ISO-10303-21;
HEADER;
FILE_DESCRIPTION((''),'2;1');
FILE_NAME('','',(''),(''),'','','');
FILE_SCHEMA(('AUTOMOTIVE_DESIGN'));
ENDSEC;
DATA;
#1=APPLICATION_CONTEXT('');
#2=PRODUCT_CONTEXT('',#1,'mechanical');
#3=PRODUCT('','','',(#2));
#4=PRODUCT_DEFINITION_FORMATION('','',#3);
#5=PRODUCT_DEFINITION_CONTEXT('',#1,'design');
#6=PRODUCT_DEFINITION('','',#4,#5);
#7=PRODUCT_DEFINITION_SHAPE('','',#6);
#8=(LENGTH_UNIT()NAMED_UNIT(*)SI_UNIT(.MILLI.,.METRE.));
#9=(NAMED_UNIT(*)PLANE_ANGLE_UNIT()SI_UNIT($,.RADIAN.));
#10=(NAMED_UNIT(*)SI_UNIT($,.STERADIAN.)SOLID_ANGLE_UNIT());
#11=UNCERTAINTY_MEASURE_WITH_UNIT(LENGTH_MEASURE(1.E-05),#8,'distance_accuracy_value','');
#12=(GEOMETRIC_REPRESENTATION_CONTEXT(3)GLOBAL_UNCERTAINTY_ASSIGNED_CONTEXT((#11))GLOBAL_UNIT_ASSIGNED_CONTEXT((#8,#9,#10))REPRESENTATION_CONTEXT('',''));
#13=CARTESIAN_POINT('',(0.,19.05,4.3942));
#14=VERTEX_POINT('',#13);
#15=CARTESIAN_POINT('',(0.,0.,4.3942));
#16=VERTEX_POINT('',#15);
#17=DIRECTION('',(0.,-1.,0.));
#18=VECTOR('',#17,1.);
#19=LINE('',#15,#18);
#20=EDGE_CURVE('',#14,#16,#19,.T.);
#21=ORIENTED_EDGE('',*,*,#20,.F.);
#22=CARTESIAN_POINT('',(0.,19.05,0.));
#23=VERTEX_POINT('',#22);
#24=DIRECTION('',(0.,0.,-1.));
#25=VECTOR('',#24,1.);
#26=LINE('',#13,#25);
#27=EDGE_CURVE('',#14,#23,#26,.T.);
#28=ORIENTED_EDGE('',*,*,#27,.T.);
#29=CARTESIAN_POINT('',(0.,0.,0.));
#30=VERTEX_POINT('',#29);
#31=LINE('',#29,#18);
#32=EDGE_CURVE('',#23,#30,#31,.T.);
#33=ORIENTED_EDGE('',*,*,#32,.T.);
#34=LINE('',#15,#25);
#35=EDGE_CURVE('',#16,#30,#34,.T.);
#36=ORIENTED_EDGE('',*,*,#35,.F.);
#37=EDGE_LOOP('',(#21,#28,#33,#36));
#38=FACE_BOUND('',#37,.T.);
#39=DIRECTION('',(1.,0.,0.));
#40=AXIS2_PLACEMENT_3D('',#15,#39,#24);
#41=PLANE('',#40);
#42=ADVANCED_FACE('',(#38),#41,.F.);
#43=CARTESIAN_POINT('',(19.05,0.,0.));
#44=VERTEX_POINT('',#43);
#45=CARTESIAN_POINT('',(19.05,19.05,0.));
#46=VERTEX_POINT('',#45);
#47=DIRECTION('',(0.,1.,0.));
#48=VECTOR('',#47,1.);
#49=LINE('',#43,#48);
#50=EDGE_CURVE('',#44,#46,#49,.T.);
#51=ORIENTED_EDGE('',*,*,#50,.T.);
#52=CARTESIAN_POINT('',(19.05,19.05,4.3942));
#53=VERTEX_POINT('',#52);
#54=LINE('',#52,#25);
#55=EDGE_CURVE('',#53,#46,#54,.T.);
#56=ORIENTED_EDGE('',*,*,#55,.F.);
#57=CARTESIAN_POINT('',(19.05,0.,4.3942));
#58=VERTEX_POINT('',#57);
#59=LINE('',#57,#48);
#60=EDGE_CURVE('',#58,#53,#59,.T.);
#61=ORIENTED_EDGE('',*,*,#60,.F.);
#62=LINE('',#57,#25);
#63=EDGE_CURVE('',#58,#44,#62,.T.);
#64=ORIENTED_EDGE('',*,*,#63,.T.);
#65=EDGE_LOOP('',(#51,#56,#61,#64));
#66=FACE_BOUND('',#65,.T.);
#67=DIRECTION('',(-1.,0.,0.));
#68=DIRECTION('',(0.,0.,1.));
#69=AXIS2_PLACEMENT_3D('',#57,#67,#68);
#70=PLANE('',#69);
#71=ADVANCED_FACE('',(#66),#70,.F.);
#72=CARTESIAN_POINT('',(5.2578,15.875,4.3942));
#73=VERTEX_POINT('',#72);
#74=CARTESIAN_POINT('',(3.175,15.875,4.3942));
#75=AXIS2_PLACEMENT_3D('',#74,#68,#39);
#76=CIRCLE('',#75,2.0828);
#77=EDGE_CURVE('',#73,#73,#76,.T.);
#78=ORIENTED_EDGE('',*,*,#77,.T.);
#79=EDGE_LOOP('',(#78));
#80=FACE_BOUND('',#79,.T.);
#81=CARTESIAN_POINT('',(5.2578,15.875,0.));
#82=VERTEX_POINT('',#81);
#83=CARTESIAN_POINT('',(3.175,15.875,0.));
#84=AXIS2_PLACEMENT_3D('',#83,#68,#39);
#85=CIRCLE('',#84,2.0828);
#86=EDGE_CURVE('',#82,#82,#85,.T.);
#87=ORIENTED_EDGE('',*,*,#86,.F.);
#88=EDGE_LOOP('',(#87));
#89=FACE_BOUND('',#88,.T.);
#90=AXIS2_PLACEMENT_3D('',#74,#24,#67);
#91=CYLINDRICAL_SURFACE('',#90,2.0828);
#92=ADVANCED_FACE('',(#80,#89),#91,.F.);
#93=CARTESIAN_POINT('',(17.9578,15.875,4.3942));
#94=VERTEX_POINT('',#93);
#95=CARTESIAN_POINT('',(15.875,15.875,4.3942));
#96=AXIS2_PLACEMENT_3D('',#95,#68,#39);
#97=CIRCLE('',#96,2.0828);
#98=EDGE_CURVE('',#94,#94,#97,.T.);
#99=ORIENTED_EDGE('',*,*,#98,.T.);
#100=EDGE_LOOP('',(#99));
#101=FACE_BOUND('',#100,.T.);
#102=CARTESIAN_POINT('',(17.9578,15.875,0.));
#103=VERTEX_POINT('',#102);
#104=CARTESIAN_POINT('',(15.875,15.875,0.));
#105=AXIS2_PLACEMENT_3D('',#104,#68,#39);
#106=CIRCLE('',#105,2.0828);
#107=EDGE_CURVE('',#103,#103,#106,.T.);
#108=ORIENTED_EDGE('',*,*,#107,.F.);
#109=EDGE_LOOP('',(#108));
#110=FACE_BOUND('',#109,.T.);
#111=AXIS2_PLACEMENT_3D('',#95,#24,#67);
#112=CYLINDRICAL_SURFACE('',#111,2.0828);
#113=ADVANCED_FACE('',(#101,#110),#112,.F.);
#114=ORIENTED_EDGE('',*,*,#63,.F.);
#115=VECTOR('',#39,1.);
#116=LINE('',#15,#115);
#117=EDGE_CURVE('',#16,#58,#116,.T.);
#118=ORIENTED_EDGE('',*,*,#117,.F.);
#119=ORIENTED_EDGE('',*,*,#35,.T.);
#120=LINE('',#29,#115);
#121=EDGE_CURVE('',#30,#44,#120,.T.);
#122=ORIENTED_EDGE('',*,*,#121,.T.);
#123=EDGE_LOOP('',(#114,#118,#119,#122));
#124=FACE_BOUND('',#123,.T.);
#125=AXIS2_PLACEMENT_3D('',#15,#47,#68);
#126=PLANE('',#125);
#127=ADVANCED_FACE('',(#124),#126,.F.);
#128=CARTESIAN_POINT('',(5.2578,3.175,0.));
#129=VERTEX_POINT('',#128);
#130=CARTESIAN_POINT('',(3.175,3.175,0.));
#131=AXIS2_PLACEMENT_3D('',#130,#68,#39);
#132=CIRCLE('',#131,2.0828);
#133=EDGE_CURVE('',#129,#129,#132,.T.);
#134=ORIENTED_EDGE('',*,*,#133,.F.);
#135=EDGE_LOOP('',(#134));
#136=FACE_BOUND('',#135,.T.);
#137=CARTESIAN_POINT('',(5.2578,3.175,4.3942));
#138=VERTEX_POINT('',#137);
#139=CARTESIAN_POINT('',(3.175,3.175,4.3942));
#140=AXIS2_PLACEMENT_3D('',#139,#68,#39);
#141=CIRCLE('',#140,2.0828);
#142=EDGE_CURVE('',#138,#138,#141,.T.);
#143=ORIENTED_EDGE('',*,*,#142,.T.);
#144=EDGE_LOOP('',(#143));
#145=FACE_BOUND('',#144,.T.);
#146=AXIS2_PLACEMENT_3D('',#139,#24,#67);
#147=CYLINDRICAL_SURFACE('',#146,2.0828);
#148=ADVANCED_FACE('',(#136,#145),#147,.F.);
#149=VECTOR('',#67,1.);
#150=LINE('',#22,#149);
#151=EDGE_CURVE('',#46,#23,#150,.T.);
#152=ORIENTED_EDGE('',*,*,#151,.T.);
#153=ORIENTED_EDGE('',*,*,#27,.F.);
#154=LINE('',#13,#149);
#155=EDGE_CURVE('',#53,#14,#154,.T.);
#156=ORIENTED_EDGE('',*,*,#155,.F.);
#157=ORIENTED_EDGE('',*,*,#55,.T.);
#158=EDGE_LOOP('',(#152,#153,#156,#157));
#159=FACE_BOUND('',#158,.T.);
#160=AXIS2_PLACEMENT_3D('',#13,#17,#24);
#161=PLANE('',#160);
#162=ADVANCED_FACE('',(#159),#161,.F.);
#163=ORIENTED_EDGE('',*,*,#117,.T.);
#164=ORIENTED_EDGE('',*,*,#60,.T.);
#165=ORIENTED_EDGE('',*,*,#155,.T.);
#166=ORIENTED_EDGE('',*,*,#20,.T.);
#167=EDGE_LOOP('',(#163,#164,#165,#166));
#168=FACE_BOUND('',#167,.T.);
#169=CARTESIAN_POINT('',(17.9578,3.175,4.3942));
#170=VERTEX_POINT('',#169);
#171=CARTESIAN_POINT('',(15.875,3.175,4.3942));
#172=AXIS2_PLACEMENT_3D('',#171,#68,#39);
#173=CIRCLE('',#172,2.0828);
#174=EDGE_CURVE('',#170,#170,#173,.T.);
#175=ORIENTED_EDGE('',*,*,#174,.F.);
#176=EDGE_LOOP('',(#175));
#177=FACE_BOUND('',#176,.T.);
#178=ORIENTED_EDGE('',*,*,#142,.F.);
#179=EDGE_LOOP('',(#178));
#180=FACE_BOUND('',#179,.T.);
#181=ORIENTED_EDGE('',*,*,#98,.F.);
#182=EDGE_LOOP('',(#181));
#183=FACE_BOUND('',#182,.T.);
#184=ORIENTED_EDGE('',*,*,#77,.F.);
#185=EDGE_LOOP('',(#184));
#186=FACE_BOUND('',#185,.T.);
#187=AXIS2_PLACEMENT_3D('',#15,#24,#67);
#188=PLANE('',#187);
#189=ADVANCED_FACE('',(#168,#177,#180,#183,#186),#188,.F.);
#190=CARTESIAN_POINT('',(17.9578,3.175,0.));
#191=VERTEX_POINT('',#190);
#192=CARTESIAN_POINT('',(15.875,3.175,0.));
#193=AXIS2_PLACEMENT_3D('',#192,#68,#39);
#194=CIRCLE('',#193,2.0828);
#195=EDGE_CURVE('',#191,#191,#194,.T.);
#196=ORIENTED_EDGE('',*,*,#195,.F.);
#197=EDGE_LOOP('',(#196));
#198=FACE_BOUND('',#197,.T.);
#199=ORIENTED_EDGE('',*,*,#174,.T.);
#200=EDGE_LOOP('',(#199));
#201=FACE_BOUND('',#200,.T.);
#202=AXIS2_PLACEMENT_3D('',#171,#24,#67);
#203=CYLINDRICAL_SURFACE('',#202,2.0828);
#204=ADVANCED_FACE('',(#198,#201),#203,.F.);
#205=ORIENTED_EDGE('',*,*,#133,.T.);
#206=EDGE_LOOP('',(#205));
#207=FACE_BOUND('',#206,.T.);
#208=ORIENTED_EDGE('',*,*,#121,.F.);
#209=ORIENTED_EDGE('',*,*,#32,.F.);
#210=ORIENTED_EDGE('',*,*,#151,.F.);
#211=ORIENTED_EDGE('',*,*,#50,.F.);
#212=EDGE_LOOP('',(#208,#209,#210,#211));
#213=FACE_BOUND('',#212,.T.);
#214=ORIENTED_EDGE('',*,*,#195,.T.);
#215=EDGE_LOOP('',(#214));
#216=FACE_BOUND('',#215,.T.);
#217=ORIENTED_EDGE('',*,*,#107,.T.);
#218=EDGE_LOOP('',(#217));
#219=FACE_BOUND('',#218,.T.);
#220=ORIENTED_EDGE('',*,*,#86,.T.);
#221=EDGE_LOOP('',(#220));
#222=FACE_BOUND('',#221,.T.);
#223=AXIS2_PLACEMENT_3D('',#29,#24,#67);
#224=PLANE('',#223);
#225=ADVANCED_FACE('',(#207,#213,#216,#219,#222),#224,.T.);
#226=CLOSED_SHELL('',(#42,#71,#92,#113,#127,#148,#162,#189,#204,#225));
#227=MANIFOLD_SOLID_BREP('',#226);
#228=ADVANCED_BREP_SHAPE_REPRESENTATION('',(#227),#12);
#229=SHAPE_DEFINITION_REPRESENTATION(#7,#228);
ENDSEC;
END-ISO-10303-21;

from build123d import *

# Parameters (mm, degrees)
SKETCH1_W           = 19.05
SKETCH1_H           = 19.05
SKETCH1_R           = 2.0828
BOSS_EXTRUDE1_DEPTH = 4.3942


with BuildPart() as part:
    # Sketch1 → Boss-Extrude1 (new body)
    with BuildSketch(Plane.XY):
        with Locations((9.525, 9.525)):
            Rectangle(SKETCH1_W, SKETCH1_H)
        with Locations((3.175, 3.175)):
            Circle(SKETCH1_R, mode=Mode.SUBTRACT)
        with Locations((3.175, 15.875)):
            Circle(SKETCH1_R, mode=Mode.SUBTRACT)
        with Locations((15.875, 15.875)):
            Circle(SKETCH1_R, mode=Mode.SUBTRACT)
        with Locations((15.875, 3.175)):
            Circle(SKETCH1_R, mode=Mode.SUBTRACT)
    extrude(amount=BOSS_EXTRUDE1_DEPTH)


solid = part.part
